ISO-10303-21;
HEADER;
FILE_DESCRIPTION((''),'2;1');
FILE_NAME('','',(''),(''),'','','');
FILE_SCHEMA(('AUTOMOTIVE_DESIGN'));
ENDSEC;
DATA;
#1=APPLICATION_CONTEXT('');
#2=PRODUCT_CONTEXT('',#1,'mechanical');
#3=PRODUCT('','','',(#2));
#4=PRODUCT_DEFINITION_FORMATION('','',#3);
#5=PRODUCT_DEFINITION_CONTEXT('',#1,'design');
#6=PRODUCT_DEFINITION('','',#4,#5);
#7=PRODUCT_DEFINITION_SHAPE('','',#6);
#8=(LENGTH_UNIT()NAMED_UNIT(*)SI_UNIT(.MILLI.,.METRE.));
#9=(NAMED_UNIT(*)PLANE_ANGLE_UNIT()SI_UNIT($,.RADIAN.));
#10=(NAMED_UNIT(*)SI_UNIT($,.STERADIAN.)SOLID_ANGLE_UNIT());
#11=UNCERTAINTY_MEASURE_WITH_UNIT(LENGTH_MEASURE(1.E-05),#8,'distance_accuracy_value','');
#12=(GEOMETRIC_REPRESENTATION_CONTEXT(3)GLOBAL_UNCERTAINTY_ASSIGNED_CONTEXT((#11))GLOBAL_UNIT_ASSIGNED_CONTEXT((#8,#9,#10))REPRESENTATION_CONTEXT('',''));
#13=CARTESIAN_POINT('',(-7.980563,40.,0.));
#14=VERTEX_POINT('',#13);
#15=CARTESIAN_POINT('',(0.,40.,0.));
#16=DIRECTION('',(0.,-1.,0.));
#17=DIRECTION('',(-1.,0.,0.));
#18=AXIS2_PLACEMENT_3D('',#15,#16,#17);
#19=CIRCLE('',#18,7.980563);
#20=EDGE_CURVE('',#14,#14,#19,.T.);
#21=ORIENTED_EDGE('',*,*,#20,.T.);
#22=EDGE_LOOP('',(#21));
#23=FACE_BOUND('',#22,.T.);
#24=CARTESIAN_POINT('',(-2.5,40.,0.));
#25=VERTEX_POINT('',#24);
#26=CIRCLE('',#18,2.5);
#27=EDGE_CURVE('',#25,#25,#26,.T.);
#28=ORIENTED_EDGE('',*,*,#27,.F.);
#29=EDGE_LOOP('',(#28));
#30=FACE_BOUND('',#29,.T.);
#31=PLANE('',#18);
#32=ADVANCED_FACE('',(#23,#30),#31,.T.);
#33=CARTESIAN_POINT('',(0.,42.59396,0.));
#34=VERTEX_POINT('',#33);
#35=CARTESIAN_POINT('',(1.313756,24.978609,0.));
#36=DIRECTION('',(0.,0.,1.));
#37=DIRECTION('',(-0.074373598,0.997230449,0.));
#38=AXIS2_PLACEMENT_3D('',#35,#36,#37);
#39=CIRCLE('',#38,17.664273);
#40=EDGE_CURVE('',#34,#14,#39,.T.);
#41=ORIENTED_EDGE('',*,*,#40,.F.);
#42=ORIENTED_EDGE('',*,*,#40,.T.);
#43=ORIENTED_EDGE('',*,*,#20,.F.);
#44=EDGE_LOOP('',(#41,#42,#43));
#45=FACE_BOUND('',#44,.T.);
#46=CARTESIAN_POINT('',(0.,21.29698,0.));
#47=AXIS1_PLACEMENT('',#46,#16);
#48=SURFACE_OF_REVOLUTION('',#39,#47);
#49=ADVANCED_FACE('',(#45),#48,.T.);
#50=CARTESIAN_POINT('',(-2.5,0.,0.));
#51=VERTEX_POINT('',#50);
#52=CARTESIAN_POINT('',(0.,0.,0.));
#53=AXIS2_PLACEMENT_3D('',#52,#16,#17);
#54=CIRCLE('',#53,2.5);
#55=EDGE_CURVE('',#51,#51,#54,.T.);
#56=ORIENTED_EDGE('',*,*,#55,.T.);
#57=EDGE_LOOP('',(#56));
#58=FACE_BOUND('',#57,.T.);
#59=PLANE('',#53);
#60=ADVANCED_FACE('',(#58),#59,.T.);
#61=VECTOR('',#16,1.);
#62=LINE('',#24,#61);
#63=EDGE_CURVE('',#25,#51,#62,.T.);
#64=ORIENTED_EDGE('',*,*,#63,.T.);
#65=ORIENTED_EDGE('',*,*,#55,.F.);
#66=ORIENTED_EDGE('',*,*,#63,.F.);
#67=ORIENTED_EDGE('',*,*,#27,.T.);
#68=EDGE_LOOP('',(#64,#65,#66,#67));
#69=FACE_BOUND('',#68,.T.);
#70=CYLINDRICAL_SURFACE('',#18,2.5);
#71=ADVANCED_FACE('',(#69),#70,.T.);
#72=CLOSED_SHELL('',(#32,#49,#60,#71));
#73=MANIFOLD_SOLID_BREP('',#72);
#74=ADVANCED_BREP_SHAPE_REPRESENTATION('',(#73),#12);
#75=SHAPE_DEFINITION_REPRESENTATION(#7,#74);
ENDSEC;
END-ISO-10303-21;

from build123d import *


with BuildPart() as f1:
    # F0 (on Top) → F1 (revolve)
    with BuildSketch(Plane.XY):
        with BuildLine():
            Line((-2.5, 0), (0, 0))
            Line((0, 0), (0, 42.59396))
            ThreePointArc((0, 42.59396), (-4.146553, 41.777763), (-7.980563, 40))
            Line((-7.980563, 40), (-2.5, 40))
            Line((-2.5, 40), (-2.5, 0))
        make_face()
    revolve(axis=Axis((0, 21.29698, 0), (0, -1, 0)))


solid = f1.part
